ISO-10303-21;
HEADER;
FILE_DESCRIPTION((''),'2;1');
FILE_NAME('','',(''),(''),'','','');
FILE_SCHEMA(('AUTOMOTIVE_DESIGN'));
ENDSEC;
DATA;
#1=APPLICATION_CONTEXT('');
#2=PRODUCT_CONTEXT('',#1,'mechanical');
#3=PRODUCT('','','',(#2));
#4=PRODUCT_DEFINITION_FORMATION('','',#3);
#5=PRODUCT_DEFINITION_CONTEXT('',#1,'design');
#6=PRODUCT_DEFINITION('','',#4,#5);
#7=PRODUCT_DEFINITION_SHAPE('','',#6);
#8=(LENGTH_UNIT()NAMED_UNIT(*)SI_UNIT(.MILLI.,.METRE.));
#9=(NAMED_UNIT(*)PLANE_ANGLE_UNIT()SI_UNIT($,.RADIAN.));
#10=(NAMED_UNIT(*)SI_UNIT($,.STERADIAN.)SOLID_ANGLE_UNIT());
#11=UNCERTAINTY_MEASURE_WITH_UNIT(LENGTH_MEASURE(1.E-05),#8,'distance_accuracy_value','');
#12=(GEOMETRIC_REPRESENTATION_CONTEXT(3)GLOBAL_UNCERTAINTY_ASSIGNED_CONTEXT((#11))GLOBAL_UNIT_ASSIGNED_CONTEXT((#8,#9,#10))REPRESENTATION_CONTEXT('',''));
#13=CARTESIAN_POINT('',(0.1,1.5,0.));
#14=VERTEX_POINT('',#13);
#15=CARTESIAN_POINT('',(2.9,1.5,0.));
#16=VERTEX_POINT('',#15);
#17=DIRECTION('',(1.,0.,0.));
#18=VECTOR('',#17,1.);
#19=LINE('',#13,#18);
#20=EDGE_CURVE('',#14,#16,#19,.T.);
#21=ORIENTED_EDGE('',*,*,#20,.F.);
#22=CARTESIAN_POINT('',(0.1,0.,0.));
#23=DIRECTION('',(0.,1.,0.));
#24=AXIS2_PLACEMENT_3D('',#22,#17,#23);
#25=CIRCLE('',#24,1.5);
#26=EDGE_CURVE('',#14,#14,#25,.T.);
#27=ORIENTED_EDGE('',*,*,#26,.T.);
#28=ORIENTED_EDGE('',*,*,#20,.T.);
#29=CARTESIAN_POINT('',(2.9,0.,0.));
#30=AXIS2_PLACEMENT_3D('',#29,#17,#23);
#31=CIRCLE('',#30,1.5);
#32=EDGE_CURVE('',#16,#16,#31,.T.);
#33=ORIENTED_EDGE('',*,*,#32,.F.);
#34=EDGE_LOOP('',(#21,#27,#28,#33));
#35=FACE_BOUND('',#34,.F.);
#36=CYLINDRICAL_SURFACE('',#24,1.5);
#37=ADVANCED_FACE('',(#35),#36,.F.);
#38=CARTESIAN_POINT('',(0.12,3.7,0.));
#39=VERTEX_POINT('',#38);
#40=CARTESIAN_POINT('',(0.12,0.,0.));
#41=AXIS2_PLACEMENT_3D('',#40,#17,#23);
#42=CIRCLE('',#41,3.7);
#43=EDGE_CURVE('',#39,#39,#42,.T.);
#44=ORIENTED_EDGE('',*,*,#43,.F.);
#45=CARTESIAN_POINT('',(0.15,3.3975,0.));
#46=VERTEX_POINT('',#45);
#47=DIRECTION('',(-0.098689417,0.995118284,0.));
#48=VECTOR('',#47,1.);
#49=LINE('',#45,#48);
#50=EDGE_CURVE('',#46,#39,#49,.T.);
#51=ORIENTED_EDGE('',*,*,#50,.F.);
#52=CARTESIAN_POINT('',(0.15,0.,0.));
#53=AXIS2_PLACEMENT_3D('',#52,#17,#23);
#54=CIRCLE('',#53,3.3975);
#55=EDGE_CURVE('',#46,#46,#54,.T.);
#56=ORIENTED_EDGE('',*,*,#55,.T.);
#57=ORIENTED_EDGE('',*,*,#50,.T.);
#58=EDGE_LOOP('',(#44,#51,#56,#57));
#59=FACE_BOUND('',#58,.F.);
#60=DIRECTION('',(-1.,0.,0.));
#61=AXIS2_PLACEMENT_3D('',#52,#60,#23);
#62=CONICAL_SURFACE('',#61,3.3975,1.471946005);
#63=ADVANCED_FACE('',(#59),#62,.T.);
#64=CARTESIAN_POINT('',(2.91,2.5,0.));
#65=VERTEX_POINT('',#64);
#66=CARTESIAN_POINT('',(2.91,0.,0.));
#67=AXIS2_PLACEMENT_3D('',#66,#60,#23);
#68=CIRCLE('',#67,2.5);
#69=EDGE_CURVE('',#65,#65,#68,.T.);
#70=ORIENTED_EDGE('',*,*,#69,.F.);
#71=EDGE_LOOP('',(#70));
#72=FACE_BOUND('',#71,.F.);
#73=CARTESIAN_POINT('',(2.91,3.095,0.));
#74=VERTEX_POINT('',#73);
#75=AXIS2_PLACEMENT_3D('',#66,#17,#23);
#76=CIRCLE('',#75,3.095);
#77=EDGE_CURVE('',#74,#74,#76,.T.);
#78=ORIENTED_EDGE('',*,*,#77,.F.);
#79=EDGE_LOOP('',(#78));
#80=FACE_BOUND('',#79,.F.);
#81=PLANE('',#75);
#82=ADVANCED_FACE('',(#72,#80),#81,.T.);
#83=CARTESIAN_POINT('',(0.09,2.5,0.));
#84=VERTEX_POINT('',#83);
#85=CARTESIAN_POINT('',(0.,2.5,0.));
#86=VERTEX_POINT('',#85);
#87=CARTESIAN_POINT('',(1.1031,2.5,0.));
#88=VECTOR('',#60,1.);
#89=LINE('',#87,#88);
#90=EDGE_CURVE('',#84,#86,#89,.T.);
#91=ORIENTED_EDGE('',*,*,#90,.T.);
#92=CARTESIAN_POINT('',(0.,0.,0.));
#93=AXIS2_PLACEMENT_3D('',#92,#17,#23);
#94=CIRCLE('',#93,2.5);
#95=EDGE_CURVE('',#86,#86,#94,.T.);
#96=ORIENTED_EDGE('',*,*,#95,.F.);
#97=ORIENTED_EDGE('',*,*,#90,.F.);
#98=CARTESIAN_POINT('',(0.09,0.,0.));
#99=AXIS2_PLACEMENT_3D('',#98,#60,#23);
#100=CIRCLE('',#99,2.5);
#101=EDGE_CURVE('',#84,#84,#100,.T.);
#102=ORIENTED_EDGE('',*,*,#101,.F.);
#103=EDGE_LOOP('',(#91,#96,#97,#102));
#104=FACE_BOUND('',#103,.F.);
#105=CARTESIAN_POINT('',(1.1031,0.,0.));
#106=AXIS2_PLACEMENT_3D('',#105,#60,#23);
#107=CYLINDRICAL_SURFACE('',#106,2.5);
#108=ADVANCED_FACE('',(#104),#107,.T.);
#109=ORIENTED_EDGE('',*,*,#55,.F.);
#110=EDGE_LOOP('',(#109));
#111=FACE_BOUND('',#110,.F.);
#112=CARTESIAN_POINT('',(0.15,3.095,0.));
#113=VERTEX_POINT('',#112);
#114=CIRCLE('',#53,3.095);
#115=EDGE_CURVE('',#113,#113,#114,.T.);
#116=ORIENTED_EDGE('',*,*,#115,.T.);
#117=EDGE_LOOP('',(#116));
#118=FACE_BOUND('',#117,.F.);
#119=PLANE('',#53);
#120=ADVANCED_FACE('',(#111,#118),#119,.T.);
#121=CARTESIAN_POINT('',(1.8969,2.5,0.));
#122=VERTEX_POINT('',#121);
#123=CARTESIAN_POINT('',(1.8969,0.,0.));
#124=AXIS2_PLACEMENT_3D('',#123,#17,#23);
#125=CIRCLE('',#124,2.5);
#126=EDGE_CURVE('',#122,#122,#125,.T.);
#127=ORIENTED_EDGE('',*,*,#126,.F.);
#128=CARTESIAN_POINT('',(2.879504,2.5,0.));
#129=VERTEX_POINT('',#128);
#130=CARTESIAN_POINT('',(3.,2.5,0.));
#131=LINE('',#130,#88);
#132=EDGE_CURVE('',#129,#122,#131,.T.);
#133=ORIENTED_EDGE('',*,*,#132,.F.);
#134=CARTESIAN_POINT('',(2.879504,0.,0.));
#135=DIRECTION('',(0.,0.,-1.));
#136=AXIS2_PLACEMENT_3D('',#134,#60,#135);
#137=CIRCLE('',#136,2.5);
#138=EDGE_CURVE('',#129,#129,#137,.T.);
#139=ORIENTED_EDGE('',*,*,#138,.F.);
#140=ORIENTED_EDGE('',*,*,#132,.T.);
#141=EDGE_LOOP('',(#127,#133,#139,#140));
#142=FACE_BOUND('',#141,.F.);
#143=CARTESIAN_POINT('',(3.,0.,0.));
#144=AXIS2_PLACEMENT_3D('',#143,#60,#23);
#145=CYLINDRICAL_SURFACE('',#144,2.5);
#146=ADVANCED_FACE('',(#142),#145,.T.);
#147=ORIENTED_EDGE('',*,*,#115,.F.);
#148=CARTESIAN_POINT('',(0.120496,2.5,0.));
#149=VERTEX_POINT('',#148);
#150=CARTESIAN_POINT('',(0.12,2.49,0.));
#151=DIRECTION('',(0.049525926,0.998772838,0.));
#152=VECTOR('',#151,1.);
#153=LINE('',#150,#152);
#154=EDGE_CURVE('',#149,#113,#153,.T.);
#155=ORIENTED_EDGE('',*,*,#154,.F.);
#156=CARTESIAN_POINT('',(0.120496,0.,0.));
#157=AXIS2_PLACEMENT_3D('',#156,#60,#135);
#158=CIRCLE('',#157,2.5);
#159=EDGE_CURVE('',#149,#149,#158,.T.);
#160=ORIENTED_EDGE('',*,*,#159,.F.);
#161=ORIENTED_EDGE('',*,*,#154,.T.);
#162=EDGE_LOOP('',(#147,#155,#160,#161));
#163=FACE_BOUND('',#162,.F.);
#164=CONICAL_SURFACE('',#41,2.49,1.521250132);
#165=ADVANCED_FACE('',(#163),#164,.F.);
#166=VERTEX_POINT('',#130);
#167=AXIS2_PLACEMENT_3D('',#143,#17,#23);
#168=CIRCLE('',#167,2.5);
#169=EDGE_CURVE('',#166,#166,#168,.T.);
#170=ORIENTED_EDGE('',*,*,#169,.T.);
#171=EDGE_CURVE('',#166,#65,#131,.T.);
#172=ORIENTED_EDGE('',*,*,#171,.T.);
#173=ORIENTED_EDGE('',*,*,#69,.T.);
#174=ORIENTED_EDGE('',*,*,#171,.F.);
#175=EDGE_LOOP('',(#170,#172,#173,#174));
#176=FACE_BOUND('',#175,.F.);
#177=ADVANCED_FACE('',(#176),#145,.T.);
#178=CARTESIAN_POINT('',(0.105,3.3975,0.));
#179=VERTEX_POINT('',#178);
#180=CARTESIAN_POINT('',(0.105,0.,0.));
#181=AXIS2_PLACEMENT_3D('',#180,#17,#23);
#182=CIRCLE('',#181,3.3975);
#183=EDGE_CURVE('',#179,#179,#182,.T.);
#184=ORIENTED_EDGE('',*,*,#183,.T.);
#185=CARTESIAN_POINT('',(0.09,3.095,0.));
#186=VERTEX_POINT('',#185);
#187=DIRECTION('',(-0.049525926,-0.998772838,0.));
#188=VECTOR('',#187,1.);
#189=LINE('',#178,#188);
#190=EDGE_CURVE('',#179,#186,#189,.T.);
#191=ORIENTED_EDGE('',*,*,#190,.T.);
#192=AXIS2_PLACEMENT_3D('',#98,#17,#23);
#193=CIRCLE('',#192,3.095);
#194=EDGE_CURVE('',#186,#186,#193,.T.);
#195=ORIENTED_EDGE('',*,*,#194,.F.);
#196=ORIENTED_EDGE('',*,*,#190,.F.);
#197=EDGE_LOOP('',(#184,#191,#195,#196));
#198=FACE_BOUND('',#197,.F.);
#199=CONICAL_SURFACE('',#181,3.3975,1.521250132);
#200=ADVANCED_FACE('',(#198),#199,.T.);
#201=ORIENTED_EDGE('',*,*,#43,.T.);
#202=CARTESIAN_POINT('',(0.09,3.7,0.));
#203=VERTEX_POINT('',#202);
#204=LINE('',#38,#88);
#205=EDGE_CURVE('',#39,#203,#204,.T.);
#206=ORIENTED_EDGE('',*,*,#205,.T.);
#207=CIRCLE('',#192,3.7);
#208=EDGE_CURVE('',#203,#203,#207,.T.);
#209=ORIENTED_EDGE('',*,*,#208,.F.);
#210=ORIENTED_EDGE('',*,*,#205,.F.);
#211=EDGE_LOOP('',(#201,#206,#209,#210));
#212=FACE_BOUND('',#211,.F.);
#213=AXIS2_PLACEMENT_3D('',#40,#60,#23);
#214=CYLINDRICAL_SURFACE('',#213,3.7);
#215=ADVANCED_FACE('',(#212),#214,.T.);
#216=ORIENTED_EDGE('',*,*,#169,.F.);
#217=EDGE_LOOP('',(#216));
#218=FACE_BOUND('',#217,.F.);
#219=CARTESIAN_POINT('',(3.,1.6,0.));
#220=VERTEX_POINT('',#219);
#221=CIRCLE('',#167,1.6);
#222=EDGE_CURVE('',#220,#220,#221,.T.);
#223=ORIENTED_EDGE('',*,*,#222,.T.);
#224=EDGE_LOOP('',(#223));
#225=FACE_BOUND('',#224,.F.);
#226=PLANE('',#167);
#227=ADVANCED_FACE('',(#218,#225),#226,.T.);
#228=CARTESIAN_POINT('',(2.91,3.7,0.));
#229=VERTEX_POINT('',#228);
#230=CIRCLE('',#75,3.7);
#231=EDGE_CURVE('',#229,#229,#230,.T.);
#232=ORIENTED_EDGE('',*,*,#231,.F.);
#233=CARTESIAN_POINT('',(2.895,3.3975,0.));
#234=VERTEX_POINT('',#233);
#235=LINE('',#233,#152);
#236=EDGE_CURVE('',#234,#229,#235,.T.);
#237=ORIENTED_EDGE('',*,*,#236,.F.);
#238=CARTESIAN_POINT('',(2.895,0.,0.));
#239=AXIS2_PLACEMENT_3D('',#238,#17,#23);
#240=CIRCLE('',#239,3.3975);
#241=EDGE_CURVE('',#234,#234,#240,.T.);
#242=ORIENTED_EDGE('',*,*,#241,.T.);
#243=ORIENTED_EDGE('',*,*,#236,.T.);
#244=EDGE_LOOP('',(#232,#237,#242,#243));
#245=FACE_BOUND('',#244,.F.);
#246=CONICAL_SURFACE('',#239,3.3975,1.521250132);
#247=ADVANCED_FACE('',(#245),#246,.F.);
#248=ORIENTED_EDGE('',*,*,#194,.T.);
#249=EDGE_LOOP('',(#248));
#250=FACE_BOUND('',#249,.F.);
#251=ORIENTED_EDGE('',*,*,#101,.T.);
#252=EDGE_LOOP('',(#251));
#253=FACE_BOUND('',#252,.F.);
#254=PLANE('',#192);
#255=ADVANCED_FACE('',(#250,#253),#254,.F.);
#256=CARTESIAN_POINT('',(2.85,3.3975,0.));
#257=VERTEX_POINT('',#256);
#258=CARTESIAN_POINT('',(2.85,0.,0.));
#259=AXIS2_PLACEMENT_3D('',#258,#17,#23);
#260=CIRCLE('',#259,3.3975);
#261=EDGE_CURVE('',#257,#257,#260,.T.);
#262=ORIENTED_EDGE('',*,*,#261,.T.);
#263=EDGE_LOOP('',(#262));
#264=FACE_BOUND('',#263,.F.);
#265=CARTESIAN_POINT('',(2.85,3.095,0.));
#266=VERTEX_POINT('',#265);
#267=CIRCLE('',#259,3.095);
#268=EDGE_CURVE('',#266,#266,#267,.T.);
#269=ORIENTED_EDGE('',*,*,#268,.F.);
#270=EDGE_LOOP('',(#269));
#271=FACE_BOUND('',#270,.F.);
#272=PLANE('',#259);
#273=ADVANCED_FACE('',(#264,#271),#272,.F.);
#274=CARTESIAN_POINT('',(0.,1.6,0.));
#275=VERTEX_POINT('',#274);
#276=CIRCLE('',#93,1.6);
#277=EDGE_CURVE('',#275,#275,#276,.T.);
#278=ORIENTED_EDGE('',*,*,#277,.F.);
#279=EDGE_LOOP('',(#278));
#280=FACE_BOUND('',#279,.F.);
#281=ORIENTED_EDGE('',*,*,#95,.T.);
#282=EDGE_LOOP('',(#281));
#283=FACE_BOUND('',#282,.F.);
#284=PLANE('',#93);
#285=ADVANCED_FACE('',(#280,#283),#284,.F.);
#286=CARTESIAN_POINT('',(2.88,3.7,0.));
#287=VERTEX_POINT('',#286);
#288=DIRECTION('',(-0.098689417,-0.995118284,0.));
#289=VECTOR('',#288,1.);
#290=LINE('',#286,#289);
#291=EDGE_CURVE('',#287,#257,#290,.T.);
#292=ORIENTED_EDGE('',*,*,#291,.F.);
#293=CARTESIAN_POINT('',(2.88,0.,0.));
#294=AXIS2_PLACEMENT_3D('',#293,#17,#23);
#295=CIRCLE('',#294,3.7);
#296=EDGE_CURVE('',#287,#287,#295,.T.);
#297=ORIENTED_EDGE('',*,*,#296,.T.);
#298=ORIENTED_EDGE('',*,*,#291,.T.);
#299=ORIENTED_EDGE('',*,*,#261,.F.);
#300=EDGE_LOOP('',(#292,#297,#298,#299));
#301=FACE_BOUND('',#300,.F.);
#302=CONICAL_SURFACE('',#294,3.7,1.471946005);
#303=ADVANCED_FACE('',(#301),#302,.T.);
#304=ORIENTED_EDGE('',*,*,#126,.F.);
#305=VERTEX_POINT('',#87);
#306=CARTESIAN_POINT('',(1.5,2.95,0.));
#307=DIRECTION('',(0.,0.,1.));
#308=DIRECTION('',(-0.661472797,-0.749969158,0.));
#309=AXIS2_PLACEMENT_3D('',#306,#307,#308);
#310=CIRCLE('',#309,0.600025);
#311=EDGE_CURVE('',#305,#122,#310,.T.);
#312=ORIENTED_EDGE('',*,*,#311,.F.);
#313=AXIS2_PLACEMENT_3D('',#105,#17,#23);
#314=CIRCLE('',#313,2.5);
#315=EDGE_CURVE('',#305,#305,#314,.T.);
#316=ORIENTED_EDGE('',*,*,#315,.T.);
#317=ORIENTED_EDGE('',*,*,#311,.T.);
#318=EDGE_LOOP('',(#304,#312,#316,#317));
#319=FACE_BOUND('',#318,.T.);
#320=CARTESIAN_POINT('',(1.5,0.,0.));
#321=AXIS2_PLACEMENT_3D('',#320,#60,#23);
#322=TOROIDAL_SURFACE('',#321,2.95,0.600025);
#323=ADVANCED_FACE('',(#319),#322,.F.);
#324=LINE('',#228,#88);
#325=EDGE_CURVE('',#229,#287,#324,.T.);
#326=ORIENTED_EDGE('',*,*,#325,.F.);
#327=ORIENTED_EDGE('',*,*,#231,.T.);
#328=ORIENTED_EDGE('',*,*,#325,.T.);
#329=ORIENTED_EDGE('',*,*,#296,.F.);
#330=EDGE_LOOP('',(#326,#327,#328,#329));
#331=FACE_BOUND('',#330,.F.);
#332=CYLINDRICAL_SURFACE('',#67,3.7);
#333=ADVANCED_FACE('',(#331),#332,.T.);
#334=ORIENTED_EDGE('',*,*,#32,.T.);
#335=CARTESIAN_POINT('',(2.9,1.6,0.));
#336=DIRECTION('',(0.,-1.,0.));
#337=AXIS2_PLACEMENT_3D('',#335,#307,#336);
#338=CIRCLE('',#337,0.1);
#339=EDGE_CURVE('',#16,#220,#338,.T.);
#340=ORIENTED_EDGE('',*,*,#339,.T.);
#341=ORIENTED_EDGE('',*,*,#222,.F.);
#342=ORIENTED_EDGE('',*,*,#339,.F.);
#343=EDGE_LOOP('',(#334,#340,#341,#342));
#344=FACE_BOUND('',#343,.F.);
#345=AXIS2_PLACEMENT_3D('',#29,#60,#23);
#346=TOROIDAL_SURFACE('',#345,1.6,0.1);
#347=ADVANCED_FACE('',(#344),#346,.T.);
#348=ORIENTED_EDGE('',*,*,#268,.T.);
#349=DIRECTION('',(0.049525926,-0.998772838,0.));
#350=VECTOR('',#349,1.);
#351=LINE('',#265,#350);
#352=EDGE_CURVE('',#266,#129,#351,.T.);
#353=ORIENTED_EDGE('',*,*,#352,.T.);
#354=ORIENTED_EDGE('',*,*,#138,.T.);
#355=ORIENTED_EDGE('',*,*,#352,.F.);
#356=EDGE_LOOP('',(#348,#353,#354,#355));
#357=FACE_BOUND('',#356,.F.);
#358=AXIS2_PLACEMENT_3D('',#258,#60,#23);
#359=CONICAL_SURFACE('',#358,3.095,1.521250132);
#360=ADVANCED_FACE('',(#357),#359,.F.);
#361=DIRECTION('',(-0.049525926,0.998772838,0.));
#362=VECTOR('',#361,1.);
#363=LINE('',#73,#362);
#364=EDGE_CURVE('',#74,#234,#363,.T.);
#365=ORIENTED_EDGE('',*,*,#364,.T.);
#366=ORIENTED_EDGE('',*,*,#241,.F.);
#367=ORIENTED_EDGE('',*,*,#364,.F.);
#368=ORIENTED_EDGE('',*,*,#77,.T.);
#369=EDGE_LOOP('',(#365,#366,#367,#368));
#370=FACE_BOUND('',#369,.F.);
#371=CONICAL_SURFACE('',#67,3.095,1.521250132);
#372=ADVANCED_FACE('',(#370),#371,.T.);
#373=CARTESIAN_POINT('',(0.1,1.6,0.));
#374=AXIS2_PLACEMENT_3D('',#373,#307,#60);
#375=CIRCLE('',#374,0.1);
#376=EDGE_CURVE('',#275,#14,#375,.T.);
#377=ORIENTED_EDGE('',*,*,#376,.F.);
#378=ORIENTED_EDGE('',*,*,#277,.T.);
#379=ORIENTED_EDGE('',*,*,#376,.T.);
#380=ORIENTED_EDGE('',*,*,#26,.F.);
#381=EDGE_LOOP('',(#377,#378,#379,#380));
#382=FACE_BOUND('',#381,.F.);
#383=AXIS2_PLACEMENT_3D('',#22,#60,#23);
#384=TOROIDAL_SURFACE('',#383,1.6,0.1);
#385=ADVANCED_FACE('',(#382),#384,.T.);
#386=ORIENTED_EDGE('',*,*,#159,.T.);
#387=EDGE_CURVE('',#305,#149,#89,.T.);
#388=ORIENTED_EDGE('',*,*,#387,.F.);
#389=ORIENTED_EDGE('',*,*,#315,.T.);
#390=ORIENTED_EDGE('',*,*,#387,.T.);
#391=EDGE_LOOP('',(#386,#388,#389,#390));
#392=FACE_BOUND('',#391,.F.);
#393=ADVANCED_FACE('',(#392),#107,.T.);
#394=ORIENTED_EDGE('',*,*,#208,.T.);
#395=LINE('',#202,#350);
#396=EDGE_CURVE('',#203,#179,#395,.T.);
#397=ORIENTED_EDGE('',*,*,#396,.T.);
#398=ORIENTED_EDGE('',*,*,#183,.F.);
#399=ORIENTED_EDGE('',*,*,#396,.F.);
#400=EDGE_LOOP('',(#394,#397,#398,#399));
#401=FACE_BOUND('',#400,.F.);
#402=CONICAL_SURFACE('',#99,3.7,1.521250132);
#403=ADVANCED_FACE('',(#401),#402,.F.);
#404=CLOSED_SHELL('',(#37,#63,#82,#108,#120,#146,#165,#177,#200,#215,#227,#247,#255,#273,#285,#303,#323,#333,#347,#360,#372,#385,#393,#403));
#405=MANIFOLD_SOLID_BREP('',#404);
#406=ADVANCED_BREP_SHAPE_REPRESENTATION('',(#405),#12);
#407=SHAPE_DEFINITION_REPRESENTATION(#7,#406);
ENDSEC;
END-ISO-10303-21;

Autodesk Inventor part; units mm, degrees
ref_plane "YZ Plane" through (0, 0, 0) normal (1, 0, 0) x (0, 1, 0)
ref_plane "XZ Plane" through (0, 0, 0) normal (0, 1, 0) x (-1, 0, 0)
ref_plane "XY Plane" through (0, 0, 0) normal (0, 0, 1) x (1, 0, 0)
sketch "Sketch_18" plane through (0, 0, 0) normal (0, 0, 1) x (1, 0, 0)
  line L0 (50, 0) -> (-50, 0)
  arc A0 (0, 1.6) -> (0.1, 1.5) centre (0.1, 1.6) ccw
  line L1 (0.1, 1.5) -> (2.9, 1.5)
  arc A1 (2.9, 1.5) -> (3, 1.6) centre (2.9, 1.6) ccw
  line L2 (3, 1.6) -> (3, 2.5)
  line L3 (3, 2.5) -> (1.8969, 2.5)
  arc A2 (1.1031, 2.5) -> (1.8969, 2.5) centre (1.5, 2.95) ccw
  line L4 (1.1031, 2.5) -> (0, 2.5)
  line L5 (0, 2.5) -> (0, 1.6)
revolve "Revolution1" add sketch "Sketch_18" angle 360 about axis through (50, 0, 0) along (1, 0, 0)
sketch "Sketch_20" plane through (0, 0, 0) normal (0, 0, 1) x (1, 0, 0)
  line L0 (50, 0) -> (-50, 0)
  line L1 (0.09, 3.7) -> (0.105, 3.3975)
  line L2 (0.105, 3.3975) -> (0.09, 3.095)
  line L3 (0.09, 3.095) -> (0.09, 2.49)
  line L4 (0.09, 2.49) -> (0.12, 2.49)
  line L5 (0.12, 2.49) -> (0.15, 3.095)
  line L6 (0.15, 3.095) -> (0.15, 3.3975)
  line L7 (0.15, 3.3975) -> (0.12, 3.7)
  line L8 (0.12, 3.7) -> (0.09, 3.7)
revolve "Revolution2" add sketch "Sketch_20" angle 360 about axis through (50, 0, 0) along (1, 0, 0)
sketch "Sketch_21" plane through (0, 0, 0) normal (0, 0, 1) x (1, 0, 0)
  line L0 (50, 0) -> (-50, 0)
  line L1 (2.85, 3.3975) -> (2.85, 3.095)
  line L2 (2.85, 3.095) -> (2.88, 2.49)
  line L3 (2.88, 2.49) -> (2.91, 2.49)
  line L4 (2.91, 2.49) -> (2.91, 3.095)
  line L5 (2.91, 3.095) -> (2.895, 3.3975)
  line L6 (2.895, 3.3975) -> (2.91, 3.7)
  line L7 (2.91, 3.7) -> (2.88, 3.7)
  line L8 (2.88, 3.7) -> (2.85, 3.3975)
revolve "Revolution3" add sketch "Sketch_21" angle 360 about axis through (50, 0, 0) along (1, 0, 0)
properties part number "SKF_W 619/3-2Z_PART1"
